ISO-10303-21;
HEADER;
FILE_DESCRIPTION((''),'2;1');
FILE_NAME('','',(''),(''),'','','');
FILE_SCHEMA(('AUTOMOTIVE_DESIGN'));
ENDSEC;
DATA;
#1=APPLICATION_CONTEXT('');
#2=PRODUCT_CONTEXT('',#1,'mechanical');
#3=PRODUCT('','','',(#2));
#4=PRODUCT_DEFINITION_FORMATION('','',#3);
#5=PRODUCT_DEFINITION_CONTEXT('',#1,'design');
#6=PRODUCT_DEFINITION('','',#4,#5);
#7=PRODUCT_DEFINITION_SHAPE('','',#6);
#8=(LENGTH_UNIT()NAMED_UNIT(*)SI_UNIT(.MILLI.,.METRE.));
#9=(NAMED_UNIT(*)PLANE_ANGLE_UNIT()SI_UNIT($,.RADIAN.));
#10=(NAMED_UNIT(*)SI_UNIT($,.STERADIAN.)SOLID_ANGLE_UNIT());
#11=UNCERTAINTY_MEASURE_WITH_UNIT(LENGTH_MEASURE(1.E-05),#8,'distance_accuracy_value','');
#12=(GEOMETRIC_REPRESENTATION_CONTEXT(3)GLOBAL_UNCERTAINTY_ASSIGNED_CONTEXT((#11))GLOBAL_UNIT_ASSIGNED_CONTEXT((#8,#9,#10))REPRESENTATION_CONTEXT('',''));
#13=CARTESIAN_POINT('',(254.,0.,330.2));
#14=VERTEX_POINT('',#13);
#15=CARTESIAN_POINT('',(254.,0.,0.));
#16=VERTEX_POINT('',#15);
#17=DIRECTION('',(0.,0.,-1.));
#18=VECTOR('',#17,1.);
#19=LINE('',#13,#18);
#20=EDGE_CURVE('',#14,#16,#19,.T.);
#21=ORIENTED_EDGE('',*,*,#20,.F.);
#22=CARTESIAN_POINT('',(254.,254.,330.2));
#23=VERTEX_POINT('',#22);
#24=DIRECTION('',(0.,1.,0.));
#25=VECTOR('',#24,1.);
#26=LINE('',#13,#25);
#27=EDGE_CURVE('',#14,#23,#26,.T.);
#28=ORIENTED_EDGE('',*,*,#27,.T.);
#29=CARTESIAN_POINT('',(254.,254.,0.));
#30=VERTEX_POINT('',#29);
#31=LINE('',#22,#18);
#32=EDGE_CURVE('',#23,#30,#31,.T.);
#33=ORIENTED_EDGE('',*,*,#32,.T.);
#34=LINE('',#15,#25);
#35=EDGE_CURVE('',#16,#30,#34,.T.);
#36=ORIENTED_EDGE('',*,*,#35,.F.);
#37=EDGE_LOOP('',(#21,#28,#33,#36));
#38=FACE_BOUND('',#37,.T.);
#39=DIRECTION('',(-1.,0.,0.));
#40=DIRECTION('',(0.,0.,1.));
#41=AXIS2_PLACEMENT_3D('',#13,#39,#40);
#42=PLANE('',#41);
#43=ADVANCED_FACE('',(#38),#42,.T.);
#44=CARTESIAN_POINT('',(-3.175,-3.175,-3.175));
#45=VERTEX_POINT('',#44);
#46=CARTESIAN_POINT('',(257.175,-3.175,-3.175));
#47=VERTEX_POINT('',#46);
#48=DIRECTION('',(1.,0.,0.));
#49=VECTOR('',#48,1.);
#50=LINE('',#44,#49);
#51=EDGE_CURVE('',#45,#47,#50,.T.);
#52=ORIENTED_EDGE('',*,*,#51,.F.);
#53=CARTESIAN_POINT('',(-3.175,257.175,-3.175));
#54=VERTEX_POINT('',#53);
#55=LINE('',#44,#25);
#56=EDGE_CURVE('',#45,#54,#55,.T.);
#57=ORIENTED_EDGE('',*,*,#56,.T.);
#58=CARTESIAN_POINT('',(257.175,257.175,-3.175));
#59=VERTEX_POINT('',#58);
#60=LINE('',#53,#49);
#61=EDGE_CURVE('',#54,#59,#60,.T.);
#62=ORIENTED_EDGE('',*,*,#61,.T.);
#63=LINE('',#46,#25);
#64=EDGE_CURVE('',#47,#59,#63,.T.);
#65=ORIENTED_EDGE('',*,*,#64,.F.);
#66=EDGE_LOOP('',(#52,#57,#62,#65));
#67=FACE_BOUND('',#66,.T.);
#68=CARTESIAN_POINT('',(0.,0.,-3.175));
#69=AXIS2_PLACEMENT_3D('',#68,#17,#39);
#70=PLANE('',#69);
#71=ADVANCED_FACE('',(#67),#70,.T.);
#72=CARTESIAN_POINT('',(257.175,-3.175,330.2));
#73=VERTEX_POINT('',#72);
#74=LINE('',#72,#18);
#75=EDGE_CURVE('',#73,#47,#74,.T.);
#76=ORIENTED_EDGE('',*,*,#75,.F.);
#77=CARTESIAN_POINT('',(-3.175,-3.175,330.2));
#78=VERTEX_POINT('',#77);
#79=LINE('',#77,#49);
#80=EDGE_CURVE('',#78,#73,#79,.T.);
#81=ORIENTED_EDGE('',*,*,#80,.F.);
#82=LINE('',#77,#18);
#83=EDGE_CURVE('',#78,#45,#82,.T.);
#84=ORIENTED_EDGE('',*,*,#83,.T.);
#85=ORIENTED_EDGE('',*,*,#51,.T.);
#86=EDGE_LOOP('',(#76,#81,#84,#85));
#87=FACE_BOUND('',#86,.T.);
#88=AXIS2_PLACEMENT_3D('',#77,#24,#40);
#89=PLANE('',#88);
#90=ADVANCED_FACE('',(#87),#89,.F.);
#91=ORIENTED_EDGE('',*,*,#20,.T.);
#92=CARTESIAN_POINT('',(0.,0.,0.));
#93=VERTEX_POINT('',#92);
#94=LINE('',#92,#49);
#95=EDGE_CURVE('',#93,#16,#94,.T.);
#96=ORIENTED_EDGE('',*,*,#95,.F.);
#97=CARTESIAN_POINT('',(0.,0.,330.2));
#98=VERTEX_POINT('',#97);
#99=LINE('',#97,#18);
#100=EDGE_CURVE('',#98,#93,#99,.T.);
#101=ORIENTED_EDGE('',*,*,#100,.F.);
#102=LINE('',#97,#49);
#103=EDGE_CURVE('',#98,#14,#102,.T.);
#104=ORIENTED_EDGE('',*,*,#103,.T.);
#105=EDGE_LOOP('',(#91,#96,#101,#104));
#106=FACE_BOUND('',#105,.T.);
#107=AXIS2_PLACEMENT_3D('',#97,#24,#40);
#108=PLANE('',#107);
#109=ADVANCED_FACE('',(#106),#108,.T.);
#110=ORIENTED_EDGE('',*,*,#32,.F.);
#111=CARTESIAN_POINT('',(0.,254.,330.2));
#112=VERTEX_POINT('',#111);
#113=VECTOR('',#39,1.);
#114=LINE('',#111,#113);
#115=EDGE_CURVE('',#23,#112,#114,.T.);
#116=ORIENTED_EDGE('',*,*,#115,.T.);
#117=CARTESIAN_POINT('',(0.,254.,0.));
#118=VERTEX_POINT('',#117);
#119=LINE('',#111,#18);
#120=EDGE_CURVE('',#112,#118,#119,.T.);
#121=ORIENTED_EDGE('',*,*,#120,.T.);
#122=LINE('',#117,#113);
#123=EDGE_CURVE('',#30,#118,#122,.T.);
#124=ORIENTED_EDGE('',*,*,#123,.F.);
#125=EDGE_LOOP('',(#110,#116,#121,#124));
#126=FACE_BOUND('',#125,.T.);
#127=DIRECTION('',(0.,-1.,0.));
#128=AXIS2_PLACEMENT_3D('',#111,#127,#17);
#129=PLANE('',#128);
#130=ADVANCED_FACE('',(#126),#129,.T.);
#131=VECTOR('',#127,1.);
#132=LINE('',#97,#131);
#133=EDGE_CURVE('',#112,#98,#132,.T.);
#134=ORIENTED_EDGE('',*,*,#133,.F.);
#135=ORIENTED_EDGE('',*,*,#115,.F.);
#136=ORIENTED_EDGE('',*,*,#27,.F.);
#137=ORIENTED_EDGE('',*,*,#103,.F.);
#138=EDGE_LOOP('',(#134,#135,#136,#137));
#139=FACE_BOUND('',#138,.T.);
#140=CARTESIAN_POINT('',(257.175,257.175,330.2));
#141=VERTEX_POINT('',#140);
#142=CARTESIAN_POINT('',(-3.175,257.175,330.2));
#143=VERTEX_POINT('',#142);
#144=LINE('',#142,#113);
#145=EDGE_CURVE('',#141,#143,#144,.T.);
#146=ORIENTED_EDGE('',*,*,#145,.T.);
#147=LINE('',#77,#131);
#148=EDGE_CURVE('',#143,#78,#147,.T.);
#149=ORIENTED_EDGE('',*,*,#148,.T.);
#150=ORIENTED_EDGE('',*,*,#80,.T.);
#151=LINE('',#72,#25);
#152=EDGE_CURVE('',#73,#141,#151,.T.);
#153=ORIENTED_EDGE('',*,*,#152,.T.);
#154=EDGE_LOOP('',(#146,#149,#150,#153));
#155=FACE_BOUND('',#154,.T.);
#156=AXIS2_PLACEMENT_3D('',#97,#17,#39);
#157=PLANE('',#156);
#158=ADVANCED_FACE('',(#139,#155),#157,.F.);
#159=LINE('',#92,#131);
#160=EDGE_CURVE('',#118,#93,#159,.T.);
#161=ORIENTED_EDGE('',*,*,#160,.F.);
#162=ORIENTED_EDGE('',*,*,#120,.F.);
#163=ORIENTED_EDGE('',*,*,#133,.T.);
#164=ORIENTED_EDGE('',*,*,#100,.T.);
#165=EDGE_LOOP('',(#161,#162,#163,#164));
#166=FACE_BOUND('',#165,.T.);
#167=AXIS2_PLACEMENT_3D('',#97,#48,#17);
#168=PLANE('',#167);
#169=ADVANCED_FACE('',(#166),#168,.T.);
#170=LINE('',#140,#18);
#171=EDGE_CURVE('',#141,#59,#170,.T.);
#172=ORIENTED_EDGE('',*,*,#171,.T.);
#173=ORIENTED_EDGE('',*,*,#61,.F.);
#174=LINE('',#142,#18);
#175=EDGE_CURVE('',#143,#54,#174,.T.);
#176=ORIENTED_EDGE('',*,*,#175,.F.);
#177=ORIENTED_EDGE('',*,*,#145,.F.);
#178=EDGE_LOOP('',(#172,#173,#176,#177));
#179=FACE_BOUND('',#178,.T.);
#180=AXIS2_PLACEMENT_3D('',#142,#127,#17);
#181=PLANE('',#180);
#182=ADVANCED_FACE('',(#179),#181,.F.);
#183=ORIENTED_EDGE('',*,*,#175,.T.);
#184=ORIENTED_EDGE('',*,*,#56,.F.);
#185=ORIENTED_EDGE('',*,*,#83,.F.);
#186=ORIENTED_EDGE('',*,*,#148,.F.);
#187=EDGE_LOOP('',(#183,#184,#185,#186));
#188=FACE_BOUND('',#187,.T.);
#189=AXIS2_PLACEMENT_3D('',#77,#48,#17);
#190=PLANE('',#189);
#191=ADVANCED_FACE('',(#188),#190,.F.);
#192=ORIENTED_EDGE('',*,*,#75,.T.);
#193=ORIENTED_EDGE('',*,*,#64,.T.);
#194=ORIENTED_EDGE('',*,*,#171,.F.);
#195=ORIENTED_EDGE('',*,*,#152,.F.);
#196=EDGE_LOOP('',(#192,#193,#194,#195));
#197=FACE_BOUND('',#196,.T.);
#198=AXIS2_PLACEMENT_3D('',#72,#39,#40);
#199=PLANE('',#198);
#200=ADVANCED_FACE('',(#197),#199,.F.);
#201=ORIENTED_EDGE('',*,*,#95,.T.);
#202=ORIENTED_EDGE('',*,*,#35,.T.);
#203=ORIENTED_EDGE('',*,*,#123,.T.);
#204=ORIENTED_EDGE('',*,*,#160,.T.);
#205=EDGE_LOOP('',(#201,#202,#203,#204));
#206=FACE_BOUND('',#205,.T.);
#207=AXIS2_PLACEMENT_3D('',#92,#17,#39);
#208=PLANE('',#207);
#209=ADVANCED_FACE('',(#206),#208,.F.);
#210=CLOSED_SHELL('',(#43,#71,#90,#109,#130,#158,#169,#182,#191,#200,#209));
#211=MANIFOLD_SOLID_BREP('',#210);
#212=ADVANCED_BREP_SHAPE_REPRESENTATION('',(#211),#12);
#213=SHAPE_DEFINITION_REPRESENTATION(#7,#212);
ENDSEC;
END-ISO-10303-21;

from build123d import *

# Parameters (mm, degrees)
SKETCH1_W           = 260.35
SKETCH1_H           = 260.35
SKETCH1_W_2         = 254
SKETCH1_H_2         = 254
BOSS_EXTRUDE1_DEPTH = 330.2
SKETCH1_2_W         = 260.35
SKETCH1_2_H         = 260.35
BOSS_EXTRUDE2_DEPTH = 3.175


with BuildPart() as part:
    # Sketch1 → Boss-Extrude1 (new body)
    with BuildSketch(Plane.XY):
        with Locations((127, 127)):
            Rectangle(SKETCH1_W, SKETCH1_H)
        with Locations((127, 127)):
            Rectangle(SKETCH1_W_2, SKETCH1_H_2, mode=Mode.SUBTRACT)
    extrude(amount=BOSS_EXTRUDE1_DEPTH)

    # Sketch1<2> → Boss-Extrude2 (add)
    with BuildSketch(Plane.XY):
        with Locations((127, 127)):
            Rectangle(SKETCH1_2_W, SKETCH1_2_H)
    extrude(amount=-BOSS_EXTRUDE2_DEPTH)


solid = part.part
